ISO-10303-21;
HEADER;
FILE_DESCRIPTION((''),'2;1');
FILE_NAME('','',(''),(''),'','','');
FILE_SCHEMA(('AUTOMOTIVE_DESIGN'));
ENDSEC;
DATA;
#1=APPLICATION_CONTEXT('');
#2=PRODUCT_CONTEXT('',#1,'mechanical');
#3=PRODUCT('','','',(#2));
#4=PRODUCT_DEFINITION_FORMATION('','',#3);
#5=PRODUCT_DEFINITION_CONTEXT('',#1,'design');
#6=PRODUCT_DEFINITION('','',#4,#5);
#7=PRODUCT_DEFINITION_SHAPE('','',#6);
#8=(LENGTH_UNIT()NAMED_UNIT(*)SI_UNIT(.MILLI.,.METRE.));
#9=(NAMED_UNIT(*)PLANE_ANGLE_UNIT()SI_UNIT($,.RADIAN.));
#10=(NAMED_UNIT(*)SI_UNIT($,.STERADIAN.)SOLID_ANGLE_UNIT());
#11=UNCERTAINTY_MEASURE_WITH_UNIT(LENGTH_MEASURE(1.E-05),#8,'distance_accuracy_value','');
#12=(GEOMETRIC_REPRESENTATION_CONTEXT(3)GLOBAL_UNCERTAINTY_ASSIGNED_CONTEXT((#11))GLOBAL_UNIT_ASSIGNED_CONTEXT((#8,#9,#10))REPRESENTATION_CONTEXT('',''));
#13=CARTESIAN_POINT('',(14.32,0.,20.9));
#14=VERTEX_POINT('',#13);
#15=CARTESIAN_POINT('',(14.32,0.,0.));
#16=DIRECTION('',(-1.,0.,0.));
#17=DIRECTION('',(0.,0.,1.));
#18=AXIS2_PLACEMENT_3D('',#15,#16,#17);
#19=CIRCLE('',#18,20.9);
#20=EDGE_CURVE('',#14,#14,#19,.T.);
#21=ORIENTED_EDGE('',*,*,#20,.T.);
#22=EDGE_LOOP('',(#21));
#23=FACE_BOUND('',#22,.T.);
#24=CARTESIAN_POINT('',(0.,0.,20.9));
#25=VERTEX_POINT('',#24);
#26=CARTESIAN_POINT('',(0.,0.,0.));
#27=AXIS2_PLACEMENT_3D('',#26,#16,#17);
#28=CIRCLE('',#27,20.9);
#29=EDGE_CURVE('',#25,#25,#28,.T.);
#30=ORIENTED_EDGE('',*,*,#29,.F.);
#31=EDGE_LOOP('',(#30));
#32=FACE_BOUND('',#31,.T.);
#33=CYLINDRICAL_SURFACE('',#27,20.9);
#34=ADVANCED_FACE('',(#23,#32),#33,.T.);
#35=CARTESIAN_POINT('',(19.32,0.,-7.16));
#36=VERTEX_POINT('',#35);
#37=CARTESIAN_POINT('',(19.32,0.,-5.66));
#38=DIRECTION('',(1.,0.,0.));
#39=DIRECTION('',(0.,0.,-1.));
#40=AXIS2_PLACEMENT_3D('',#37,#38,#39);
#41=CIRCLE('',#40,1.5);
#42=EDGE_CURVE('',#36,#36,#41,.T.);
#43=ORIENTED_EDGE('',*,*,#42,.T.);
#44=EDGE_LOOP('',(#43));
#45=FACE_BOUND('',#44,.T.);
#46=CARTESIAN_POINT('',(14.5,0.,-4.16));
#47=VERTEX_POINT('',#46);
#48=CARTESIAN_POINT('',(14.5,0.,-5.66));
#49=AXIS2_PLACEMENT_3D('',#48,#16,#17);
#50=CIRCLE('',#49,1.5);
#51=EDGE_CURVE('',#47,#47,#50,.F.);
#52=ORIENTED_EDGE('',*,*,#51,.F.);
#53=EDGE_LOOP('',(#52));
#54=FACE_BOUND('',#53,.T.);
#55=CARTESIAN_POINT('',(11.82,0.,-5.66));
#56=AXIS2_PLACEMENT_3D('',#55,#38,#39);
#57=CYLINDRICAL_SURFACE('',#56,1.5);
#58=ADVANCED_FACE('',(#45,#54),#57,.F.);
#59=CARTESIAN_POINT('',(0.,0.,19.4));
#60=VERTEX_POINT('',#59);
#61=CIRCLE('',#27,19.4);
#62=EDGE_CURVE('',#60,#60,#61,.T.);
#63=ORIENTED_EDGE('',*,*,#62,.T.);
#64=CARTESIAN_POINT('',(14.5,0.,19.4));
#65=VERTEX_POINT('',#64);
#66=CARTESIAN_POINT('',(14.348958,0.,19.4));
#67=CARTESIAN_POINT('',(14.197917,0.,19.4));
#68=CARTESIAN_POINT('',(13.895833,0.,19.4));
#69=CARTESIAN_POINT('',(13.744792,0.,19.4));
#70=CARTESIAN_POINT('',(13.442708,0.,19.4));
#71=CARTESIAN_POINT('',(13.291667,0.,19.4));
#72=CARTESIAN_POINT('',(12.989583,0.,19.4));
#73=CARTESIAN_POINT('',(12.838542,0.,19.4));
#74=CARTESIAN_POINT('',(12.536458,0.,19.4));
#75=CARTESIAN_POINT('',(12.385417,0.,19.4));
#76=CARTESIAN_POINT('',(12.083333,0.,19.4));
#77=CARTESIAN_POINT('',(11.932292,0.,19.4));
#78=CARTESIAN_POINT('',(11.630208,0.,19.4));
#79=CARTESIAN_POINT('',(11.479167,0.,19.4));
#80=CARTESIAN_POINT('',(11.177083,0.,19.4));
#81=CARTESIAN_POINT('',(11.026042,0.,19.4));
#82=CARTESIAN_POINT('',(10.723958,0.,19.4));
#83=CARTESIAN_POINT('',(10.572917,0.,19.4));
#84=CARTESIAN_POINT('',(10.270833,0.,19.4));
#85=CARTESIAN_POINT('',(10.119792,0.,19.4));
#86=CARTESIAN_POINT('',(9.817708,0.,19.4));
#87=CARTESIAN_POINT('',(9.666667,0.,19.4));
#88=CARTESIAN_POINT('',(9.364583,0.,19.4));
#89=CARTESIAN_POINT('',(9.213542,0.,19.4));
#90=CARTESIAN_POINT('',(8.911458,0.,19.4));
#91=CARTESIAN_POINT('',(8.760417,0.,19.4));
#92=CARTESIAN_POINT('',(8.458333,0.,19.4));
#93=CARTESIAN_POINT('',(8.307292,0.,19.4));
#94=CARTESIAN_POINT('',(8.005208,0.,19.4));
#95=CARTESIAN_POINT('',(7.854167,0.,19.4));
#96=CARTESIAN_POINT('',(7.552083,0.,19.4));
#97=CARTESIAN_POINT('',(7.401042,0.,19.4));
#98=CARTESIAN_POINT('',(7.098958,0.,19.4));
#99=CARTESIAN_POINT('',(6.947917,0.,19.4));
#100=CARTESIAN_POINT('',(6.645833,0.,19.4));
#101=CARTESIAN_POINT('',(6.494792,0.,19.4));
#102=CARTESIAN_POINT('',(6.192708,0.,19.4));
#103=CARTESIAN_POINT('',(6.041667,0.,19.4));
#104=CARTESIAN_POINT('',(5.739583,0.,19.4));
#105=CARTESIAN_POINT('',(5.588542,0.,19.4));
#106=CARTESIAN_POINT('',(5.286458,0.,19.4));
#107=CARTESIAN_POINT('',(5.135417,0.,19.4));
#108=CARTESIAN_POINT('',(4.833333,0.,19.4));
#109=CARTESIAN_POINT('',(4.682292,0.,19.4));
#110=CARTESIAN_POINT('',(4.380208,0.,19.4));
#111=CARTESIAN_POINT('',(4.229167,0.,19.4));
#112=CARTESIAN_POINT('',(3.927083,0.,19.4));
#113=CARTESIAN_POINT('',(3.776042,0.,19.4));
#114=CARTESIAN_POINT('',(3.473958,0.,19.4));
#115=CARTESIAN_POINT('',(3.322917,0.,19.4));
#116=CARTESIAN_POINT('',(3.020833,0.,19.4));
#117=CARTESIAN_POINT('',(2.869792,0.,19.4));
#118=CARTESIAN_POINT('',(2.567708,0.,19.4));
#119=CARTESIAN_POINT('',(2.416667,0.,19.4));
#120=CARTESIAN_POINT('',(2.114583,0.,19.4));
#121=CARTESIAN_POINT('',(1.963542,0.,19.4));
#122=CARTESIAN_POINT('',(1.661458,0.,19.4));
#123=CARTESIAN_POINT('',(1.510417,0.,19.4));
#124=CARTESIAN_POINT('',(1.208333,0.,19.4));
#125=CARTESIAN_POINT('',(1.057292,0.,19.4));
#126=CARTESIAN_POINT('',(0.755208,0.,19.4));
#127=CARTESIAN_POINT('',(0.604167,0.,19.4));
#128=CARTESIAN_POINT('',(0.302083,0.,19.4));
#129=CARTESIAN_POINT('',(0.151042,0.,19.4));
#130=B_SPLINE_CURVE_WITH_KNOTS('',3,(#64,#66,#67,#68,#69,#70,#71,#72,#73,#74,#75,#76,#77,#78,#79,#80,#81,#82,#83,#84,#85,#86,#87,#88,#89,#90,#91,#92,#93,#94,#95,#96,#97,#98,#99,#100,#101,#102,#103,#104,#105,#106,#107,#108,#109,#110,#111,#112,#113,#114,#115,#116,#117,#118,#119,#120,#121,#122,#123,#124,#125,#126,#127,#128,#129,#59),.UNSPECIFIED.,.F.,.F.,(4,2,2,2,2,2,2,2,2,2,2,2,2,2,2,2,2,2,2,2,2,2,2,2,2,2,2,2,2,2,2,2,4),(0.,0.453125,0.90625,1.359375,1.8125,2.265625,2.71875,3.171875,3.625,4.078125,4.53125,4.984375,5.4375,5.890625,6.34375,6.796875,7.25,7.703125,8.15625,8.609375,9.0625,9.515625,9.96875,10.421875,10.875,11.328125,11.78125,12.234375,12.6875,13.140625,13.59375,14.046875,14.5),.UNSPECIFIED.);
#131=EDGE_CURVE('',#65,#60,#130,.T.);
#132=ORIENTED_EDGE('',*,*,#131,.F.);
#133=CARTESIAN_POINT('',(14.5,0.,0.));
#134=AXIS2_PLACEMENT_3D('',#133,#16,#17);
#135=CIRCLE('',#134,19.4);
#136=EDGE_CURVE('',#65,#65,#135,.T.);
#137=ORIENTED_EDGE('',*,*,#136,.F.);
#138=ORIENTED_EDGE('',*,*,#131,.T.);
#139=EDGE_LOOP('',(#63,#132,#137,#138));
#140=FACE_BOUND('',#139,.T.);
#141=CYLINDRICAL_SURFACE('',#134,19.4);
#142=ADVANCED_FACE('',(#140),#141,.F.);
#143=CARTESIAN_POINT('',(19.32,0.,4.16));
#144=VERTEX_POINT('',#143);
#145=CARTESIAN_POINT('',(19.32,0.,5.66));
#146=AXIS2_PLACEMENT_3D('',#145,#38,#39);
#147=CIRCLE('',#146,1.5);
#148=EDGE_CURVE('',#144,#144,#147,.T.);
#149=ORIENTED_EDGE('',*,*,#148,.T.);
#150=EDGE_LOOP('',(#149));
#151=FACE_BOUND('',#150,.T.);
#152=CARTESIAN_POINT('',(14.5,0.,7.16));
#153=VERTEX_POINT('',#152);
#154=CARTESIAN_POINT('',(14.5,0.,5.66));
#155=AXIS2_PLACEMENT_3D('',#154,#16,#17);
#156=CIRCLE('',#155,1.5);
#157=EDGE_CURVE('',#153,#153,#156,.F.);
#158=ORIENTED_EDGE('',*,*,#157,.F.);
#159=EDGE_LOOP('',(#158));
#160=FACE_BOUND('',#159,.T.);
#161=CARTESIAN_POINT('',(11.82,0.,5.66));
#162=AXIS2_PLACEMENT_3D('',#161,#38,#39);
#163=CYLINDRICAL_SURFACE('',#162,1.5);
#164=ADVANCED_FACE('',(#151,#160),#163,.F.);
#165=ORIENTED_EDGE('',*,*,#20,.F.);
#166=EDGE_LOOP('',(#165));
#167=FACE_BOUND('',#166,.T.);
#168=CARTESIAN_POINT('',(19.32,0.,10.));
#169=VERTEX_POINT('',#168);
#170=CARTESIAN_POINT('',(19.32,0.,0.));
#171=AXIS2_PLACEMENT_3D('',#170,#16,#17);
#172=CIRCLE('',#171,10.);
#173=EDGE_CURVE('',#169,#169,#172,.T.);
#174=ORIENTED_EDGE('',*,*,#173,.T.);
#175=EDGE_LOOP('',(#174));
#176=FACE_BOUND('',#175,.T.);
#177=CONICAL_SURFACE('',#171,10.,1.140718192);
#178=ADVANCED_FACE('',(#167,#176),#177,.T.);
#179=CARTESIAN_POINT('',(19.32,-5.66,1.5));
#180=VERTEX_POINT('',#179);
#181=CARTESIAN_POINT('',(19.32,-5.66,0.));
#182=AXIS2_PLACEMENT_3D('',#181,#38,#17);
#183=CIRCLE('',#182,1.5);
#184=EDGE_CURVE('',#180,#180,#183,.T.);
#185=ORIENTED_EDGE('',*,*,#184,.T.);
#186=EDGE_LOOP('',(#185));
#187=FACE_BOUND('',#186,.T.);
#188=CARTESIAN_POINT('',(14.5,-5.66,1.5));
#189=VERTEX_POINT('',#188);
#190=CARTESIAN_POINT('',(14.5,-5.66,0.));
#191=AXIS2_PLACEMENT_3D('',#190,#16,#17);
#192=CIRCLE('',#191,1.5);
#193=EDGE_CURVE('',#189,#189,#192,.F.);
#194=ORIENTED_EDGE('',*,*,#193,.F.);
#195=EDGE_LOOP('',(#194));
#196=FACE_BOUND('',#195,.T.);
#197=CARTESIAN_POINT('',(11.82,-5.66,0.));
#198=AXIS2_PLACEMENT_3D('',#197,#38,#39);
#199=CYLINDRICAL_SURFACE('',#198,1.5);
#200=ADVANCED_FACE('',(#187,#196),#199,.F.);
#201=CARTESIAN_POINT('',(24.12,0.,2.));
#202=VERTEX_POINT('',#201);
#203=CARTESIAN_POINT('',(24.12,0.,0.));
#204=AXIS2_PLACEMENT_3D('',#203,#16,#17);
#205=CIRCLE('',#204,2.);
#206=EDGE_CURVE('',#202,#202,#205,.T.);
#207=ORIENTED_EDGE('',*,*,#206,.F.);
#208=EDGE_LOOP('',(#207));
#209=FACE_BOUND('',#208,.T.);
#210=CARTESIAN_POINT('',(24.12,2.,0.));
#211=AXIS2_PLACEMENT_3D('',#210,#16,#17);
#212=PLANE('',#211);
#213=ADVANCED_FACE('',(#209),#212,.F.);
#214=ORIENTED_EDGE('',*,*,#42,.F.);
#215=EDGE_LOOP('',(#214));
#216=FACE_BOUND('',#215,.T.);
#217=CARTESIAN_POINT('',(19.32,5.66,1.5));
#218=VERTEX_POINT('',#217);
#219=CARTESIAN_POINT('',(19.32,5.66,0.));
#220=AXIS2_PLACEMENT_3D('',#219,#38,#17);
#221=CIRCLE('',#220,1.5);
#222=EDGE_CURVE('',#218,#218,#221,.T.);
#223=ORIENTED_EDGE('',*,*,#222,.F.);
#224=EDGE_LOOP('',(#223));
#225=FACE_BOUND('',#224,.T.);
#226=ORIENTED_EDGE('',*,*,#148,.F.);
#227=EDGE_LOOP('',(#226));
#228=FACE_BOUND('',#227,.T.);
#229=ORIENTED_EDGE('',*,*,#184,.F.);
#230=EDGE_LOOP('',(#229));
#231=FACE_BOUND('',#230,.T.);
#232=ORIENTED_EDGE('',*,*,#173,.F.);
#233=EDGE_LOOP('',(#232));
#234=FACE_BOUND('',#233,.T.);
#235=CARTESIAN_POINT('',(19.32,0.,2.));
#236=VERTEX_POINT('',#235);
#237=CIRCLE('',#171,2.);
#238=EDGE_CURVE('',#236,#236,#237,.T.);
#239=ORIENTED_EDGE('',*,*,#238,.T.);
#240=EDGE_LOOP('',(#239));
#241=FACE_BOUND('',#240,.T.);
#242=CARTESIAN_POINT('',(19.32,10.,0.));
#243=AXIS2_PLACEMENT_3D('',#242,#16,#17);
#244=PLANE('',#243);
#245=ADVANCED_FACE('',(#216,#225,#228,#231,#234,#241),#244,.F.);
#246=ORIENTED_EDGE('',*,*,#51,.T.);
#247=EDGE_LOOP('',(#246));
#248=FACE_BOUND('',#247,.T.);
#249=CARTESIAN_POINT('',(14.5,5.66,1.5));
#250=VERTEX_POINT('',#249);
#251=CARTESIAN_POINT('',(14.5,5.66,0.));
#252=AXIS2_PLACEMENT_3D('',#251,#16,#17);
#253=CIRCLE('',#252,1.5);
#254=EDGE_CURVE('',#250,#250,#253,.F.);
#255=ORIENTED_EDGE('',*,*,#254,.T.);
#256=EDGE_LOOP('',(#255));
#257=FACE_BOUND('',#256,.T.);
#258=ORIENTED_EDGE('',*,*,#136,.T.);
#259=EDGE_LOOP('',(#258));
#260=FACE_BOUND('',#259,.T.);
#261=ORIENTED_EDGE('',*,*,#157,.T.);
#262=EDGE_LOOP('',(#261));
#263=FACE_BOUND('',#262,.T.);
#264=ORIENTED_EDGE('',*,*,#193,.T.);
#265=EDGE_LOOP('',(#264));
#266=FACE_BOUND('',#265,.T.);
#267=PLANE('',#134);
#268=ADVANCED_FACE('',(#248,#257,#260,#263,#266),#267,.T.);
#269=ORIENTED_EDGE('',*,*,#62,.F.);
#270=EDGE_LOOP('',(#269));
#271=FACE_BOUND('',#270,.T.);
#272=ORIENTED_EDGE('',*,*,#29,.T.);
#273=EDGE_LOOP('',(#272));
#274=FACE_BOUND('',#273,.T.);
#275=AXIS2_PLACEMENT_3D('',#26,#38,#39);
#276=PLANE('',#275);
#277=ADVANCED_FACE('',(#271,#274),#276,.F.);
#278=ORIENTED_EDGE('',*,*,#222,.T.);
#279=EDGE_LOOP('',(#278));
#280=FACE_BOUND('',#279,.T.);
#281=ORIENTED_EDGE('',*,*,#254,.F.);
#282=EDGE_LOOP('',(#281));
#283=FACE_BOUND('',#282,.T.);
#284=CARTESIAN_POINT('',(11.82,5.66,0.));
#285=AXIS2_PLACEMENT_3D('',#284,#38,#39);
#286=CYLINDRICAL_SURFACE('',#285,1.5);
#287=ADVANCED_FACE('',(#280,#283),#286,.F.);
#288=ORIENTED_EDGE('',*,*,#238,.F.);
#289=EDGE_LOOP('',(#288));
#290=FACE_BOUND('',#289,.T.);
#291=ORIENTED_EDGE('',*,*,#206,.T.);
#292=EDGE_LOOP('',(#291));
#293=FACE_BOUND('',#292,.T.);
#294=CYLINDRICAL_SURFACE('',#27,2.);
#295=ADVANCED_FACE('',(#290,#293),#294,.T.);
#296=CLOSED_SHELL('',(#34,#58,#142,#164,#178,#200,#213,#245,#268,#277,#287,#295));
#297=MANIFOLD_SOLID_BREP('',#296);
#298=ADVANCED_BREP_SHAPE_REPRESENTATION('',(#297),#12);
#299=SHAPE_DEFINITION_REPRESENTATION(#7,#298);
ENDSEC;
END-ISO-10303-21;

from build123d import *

# Parameters (mm, degrees)
ESQUISSE2_R             = 1.5
ENL_V_MAT_EXTRU_1_DEPTH = 7.5
ESQUISSE3_R             = 19.4
ENL_V_MAT_EXTRU_2_DEPTH = 14.5


with BuildPart() as part:
    # Esquisse1 → Révolution1 (revolve)
    with BuildSketch(Plane.XY, mode=Mode.PRIVATE) as r_volution1_sk:
        Polygon((0, 20.9), (14.32, 20.9), (19.32, 10), (19.32, 2), (24.12, 2), (24.12, 0), (0, 0), align=None)
    revolve(r_volution1_sk.sketch.rotate(Axis((0, 0, 0), (1, 0, 0)), 90), axis=Axis((0, 0, 0), (1, 0, 0)))

    # Esquisse2 → Enlèv. mat.-Extru.1 (cut)
    with BuildSketch(Plane(origin=(19.32, 0, 0), x_dir=(0, 0, -1), z_dir=(1, 0, 0))):
        with Locations(Location((0, -5.66, 0), (0, 0, 180))):
            Circle(ESQUISSE2_R)
        with Locations((-5.66, 0)):
            Circle(ESQUISSE2_R)
        with Locations(Location((0, 5.66, 0), (0, 0, 180))):
            Circle(ESQUISSE2_R)
        with Locations((5.66, 0)):
            Circle(ESQUISSE2_R)
    extrude(amount=-ENL_V_MAT_EXTRU_1_DEPTH, mode=Mode.SUBTRACT)

    # Esquisse3 → Enlèv. mat.-Extru.2 (cut)
    with BuildSketch(Plane.ZY):
        Circle(ESQUISSE3_R)
    extrude(amount=-ENL_V_MAT_EXTRU_2_DEPTH, mode=Mode.SUBTRACT)


solid = part.part
